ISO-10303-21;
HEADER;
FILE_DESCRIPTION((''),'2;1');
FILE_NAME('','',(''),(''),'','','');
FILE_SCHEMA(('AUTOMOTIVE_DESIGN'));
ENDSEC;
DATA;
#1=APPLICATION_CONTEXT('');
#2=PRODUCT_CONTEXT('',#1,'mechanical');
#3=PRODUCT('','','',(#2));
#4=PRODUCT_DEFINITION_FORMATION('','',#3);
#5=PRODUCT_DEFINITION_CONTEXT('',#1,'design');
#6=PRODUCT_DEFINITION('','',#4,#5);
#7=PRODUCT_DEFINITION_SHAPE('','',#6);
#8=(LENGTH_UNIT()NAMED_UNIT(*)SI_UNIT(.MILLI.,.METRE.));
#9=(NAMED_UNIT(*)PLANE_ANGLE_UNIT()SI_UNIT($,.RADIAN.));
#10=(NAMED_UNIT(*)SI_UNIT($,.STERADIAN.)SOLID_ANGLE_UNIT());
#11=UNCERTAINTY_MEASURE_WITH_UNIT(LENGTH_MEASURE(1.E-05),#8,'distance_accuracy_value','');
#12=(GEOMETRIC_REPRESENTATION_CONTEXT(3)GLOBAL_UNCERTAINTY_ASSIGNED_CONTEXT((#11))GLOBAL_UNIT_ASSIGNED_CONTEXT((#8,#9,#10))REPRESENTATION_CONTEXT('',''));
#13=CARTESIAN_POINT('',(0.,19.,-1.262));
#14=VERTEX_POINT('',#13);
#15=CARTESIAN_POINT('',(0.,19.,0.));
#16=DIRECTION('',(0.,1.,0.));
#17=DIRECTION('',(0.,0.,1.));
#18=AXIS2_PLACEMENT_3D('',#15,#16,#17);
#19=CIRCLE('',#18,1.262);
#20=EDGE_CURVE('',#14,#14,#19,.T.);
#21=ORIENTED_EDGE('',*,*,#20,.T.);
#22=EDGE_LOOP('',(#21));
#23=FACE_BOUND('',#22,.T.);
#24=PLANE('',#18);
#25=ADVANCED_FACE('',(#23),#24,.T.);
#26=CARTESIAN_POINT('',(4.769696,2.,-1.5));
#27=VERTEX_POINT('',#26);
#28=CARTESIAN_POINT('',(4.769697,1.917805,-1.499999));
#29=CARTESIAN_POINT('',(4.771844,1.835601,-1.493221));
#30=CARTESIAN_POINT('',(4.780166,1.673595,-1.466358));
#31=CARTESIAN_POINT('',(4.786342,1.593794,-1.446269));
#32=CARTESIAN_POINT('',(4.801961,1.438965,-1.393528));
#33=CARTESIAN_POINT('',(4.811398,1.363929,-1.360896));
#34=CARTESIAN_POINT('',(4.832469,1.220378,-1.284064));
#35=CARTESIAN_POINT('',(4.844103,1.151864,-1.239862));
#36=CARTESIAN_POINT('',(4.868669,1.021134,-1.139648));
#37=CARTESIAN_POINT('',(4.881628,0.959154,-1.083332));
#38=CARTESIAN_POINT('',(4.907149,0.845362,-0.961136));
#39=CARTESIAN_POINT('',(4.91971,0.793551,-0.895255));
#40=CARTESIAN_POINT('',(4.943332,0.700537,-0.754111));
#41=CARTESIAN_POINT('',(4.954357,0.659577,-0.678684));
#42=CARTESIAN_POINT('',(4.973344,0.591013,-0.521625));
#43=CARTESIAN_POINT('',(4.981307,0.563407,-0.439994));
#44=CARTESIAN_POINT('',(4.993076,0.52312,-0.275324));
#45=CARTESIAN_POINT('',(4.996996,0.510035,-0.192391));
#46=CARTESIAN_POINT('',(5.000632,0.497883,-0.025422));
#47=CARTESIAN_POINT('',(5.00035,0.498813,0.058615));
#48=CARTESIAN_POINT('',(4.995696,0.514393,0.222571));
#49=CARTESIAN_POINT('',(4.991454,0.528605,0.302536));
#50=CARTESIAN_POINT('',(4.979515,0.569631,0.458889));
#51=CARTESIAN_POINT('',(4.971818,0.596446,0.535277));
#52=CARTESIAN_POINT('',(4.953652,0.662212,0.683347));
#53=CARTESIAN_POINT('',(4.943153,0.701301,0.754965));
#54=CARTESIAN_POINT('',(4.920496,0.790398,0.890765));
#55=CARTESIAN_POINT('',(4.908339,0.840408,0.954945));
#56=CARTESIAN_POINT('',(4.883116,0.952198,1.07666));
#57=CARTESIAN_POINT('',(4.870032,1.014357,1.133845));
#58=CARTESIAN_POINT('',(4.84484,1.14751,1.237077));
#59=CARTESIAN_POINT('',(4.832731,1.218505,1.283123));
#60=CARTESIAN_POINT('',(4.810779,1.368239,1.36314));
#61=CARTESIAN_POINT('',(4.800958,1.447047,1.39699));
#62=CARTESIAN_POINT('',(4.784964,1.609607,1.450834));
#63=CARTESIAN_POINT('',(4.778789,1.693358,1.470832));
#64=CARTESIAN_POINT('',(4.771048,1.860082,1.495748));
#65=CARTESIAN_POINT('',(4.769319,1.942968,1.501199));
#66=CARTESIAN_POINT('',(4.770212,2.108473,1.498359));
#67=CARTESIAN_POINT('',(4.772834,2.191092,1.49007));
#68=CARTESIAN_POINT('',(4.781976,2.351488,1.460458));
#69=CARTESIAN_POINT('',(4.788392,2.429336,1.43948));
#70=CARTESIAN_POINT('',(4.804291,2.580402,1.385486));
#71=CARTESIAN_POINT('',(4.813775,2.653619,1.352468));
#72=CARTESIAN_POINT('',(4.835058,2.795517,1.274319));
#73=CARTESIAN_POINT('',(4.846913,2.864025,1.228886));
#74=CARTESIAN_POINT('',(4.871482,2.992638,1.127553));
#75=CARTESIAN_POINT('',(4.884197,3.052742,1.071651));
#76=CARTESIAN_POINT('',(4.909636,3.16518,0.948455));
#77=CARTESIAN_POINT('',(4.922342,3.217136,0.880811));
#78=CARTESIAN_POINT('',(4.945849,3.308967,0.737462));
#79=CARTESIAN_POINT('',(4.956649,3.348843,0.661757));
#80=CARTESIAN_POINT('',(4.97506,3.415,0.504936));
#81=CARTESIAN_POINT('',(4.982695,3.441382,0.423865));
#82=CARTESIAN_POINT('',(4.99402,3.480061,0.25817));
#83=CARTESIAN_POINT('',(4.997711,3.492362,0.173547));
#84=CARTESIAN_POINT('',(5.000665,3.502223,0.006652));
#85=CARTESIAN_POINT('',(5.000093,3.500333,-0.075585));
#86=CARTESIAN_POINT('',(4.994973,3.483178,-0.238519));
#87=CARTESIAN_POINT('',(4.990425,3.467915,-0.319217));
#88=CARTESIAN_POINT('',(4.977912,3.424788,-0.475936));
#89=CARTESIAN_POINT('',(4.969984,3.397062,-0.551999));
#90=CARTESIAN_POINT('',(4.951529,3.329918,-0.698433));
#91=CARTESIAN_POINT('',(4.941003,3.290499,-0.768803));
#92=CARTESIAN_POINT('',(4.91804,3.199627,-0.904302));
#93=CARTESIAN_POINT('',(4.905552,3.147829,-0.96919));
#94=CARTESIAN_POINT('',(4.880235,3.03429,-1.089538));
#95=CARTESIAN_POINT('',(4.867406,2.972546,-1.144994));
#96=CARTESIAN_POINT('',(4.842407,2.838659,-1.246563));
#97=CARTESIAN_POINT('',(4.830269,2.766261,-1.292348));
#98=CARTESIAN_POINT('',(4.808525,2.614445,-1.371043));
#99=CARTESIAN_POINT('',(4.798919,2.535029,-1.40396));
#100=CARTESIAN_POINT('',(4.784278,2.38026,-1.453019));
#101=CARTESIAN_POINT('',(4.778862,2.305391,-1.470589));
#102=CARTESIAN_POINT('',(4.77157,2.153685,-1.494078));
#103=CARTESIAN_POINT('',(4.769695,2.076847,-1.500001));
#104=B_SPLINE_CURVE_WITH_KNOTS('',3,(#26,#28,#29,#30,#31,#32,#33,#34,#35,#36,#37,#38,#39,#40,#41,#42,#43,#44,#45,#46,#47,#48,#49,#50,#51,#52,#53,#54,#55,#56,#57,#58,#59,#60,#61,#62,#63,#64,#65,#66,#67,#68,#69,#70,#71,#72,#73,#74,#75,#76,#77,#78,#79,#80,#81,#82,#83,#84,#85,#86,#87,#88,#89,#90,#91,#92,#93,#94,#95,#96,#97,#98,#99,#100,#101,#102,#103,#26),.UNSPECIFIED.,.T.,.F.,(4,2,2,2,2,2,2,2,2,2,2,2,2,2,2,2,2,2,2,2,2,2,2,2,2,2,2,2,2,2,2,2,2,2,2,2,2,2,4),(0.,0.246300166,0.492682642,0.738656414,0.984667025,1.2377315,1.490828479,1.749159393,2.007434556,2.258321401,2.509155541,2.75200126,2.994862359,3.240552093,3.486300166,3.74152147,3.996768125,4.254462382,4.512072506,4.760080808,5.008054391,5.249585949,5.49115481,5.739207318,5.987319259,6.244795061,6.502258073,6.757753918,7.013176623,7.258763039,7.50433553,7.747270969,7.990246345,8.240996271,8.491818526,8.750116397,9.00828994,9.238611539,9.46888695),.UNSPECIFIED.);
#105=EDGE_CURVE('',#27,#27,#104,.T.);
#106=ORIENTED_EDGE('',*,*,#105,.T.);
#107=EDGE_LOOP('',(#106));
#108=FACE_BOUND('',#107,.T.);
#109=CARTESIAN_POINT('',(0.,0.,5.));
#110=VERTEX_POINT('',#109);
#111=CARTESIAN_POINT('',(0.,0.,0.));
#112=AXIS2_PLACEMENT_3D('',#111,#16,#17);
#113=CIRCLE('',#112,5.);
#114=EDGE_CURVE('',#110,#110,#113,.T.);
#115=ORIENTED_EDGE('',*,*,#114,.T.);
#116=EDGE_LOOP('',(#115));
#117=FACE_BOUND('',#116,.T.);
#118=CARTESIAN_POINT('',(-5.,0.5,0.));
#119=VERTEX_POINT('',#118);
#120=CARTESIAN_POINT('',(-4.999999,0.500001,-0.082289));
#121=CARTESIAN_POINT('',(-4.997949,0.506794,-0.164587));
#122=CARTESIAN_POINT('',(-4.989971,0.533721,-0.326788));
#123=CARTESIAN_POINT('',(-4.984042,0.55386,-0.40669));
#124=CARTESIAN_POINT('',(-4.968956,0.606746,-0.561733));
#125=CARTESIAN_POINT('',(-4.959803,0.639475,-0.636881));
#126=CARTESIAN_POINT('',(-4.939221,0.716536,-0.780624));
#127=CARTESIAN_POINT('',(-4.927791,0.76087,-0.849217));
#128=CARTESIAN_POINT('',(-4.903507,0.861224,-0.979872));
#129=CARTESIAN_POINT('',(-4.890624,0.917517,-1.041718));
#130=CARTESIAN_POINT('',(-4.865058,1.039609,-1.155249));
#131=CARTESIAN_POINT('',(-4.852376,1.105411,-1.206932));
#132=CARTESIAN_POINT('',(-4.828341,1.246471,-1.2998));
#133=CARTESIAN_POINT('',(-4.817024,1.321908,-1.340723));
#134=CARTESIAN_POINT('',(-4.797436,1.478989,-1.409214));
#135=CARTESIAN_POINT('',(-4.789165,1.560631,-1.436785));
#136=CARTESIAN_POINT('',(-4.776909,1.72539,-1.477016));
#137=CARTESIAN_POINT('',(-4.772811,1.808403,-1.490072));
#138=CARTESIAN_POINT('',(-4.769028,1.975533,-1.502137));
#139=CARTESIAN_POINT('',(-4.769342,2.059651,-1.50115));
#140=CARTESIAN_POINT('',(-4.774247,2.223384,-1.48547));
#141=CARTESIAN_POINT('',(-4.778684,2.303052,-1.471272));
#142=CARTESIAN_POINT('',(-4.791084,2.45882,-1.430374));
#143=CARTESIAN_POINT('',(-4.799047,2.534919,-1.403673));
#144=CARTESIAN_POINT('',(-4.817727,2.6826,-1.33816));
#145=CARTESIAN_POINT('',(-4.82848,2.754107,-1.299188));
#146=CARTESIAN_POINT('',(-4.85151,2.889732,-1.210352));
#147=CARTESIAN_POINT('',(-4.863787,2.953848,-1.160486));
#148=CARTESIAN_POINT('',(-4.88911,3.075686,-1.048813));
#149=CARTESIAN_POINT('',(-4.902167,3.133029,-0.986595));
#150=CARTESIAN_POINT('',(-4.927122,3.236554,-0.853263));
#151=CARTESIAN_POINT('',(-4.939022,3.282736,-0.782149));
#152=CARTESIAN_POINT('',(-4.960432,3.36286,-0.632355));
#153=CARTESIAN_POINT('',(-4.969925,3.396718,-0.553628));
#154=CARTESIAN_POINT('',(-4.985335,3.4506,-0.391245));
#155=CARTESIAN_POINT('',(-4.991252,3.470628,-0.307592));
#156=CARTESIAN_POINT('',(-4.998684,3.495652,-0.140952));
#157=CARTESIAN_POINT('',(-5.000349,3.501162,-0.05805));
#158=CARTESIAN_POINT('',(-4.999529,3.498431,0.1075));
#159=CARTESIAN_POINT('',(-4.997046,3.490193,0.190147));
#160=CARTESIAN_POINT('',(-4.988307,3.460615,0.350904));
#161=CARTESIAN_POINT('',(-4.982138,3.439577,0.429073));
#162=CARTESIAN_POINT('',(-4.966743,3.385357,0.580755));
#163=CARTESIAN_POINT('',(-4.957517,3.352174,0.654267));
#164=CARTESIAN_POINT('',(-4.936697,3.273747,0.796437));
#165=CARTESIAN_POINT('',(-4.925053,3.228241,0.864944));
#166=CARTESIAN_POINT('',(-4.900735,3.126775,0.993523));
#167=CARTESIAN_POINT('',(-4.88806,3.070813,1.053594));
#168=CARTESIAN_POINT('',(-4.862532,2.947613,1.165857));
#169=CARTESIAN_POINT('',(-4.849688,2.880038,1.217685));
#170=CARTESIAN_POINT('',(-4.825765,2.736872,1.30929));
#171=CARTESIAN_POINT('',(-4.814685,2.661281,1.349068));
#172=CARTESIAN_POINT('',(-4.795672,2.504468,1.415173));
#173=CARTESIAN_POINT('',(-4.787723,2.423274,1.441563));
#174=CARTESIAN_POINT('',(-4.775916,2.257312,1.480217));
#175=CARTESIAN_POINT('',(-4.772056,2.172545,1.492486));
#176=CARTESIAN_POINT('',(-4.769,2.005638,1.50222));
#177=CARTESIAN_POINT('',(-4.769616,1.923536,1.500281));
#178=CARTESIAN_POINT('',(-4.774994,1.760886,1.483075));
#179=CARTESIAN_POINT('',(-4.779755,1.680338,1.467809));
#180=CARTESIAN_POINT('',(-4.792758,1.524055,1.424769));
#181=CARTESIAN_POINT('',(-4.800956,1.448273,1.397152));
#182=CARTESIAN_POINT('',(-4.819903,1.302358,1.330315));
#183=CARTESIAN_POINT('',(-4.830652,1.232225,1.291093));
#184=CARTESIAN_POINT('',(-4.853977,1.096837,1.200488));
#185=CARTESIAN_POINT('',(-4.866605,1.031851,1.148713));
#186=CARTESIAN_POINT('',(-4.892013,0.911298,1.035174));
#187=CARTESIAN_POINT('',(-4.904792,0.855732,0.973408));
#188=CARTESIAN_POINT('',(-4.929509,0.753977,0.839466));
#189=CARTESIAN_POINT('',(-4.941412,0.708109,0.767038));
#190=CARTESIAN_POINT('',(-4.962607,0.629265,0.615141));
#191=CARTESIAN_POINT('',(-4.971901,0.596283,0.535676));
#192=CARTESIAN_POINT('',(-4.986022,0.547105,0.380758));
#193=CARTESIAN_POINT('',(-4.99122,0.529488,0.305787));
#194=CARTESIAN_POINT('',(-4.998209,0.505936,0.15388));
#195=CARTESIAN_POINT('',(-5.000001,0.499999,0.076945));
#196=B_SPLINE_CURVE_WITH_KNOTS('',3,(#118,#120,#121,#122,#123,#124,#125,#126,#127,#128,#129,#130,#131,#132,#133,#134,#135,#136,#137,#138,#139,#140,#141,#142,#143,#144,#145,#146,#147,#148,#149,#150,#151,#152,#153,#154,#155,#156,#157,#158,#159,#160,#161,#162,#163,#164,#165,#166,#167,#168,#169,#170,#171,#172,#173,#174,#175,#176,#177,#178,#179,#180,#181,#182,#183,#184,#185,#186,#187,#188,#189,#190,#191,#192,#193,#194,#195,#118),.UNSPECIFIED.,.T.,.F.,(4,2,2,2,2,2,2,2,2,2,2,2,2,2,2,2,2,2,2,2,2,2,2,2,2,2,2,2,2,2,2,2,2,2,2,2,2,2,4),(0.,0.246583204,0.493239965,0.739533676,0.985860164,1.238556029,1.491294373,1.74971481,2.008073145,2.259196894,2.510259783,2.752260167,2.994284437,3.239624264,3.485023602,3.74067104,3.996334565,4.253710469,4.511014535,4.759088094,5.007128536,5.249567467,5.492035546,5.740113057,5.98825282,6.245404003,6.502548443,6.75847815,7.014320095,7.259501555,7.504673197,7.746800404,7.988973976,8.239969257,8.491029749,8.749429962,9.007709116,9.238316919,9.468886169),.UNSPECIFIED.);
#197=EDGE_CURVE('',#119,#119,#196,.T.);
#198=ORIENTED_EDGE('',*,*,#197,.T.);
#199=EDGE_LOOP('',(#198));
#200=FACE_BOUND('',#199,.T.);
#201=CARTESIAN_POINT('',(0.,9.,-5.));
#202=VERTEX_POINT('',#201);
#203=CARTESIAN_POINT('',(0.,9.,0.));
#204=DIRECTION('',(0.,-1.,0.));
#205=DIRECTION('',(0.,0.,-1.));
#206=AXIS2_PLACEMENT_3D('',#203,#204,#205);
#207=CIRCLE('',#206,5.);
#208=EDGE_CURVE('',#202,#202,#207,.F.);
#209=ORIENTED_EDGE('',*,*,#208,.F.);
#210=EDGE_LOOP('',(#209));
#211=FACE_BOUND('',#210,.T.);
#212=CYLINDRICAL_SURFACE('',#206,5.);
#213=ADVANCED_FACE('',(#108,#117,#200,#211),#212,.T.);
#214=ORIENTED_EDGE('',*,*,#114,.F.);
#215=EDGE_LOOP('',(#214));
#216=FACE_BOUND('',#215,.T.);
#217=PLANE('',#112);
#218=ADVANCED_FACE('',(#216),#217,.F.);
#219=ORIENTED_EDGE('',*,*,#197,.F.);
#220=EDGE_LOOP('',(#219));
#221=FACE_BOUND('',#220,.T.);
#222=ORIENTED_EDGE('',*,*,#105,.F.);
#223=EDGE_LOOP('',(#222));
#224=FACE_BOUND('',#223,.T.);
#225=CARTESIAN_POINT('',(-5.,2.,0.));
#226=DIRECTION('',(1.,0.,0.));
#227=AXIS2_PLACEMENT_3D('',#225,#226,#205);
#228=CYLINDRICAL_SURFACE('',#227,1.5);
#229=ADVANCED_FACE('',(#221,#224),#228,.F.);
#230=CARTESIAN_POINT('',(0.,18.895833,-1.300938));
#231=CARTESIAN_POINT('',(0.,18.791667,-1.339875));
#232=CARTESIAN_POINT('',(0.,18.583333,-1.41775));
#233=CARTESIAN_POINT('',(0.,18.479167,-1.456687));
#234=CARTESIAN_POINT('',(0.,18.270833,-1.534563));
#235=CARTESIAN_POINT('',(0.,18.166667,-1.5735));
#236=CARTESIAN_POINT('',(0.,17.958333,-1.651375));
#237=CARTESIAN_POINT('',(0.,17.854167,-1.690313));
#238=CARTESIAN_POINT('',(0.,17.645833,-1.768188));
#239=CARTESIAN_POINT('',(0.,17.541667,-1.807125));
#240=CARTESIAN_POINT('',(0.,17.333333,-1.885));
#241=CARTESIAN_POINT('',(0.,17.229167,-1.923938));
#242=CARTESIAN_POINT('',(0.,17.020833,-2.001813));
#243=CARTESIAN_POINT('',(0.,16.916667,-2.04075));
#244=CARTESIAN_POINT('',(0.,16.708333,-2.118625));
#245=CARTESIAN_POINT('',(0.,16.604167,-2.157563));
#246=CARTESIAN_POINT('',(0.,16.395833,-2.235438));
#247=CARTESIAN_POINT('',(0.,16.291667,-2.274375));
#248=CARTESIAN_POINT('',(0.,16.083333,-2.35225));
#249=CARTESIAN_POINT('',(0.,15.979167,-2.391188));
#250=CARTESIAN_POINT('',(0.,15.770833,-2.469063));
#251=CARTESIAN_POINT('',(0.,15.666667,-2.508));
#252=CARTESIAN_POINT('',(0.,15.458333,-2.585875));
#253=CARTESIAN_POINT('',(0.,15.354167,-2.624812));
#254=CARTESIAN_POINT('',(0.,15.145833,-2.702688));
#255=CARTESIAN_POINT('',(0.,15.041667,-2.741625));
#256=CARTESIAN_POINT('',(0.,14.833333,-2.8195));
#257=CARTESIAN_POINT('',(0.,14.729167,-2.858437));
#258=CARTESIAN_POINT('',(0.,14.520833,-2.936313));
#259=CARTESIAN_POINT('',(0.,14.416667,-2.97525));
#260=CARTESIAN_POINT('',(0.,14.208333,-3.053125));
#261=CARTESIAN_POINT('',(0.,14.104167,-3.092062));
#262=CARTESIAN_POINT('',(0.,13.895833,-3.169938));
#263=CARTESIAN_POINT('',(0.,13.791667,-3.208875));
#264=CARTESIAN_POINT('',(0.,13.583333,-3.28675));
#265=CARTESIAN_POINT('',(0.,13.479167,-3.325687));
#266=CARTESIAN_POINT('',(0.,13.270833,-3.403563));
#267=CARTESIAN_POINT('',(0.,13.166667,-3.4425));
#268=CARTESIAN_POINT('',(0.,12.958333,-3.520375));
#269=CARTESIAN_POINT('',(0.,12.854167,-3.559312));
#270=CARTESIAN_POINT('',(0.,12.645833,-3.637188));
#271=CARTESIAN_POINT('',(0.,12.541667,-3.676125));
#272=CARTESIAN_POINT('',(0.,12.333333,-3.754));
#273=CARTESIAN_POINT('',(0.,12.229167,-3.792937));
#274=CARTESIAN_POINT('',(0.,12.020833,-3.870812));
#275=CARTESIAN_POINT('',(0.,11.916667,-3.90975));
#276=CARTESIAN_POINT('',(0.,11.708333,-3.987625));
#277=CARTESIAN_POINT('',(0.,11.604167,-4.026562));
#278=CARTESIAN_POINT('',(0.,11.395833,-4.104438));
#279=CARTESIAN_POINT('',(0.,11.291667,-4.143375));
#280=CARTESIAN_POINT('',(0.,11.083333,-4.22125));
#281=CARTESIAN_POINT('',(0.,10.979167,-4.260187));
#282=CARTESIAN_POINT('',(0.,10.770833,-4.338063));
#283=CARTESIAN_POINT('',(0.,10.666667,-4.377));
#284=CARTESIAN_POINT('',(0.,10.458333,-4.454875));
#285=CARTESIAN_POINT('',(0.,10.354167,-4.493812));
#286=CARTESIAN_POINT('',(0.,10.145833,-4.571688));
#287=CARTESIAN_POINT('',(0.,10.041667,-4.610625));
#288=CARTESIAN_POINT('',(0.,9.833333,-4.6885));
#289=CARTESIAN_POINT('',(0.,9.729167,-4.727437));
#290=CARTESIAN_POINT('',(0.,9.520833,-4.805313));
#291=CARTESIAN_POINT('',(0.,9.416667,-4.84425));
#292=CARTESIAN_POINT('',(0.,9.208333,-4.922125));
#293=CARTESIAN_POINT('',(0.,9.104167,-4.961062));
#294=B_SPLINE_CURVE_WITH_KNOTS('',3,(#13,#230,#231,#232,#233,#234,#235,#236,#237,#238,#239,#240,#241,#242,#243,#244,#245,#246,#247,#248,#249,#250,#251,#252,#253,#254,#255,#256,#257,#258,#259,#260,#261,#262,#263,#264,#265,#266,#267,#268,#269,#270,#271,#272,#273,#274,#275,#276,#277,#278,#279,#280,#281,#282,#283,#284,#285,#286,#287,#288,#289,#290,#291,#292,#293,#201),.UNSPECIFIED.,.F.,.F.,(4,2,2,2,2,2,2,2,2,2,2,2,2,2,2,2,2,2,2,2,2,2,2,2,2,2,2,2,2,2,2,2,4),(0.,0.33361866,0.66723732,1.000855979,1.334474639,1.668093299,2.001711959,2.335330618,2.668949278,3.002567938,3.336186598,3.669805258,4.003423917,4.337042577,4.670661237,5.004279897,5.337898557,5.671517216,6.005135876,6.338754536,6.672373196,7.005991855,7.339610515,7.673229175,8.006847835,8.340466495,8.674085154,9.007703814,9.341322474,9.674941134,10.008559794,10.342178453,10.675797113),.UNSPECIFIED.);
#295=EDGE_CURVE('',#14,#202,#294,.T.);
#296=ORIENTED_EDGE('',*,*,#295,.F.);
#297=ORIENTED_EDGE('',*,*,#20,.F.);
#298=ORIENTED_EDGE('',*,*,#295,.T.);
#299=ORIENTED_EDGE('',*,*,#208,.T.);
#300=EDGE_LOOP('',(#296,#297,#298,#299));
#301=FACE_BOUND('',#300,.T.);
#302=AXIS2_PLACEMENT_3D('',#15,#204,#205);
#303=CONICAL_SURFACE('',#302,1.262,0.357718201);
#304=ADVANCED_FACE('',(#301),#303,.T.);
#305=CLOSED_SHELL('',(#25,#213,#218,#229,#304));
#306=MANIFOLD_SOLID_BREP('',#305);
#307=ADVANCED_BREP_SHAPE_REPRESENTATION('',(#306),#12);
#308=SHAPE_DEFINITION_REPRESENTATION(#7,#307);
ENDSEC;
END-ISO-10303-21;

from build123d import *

# Parameters (mm, degrees)
SKETCH1_R             = 5
BODY_DEPTH            = 9
PIN_INSERT_DEPTH      = 12.445523142
PIN_INSERT_DEPTH_BACK = 12.445523142
SKETCH2_R             = 1.5
HEAD_SA_R             = 1.262


with BuildPart() as part:
    # Sketch1 → body (new body)
    with BuildSketch(Plane(origin=(0, 0, 0), x_dir=(1, 0, 0), z_dir=(0, 1, 0))):
        with Locations(Location((0, 0, 0), (0, 0, 270))):
            Circle(SKETCH1_R)
    extrude(amount=BODY_DEPTH)

    # Sketch2 → pin insert (cut, two sides: drawn at the far end of the back side and taken through both)
    with BuildSketch(Plane(origin=(0, 0, 0), x_dir=(0, 0, -1), z_dir=(1, 0, 0)).offset(-PIN_INSERT_DEPTH_BACK)):
        with Locations((0, 2)):
            Circle(SKETCH2_R)
    extrude(amount=PIN_INSERT_DEPTH + PIN_INSERT_DEPTH_BACK, mode=Mode.SUBTRACT)

    # head SA → section 0 of cone
    with BuildSketch(Plane(origin=(0, 19, 0), x_dir=(1, 0, 0), z_dir=(0, 1, 0)), mode=Mode.PRIVATE) as cone_s0:
        Circle(HEAD_SA_R)
    # loft up to a face of the part (cone)
    loft([cone_s0.sketch, part.faces().sort_by_distance((0, 9, 0))[0]])


solid = part.part
